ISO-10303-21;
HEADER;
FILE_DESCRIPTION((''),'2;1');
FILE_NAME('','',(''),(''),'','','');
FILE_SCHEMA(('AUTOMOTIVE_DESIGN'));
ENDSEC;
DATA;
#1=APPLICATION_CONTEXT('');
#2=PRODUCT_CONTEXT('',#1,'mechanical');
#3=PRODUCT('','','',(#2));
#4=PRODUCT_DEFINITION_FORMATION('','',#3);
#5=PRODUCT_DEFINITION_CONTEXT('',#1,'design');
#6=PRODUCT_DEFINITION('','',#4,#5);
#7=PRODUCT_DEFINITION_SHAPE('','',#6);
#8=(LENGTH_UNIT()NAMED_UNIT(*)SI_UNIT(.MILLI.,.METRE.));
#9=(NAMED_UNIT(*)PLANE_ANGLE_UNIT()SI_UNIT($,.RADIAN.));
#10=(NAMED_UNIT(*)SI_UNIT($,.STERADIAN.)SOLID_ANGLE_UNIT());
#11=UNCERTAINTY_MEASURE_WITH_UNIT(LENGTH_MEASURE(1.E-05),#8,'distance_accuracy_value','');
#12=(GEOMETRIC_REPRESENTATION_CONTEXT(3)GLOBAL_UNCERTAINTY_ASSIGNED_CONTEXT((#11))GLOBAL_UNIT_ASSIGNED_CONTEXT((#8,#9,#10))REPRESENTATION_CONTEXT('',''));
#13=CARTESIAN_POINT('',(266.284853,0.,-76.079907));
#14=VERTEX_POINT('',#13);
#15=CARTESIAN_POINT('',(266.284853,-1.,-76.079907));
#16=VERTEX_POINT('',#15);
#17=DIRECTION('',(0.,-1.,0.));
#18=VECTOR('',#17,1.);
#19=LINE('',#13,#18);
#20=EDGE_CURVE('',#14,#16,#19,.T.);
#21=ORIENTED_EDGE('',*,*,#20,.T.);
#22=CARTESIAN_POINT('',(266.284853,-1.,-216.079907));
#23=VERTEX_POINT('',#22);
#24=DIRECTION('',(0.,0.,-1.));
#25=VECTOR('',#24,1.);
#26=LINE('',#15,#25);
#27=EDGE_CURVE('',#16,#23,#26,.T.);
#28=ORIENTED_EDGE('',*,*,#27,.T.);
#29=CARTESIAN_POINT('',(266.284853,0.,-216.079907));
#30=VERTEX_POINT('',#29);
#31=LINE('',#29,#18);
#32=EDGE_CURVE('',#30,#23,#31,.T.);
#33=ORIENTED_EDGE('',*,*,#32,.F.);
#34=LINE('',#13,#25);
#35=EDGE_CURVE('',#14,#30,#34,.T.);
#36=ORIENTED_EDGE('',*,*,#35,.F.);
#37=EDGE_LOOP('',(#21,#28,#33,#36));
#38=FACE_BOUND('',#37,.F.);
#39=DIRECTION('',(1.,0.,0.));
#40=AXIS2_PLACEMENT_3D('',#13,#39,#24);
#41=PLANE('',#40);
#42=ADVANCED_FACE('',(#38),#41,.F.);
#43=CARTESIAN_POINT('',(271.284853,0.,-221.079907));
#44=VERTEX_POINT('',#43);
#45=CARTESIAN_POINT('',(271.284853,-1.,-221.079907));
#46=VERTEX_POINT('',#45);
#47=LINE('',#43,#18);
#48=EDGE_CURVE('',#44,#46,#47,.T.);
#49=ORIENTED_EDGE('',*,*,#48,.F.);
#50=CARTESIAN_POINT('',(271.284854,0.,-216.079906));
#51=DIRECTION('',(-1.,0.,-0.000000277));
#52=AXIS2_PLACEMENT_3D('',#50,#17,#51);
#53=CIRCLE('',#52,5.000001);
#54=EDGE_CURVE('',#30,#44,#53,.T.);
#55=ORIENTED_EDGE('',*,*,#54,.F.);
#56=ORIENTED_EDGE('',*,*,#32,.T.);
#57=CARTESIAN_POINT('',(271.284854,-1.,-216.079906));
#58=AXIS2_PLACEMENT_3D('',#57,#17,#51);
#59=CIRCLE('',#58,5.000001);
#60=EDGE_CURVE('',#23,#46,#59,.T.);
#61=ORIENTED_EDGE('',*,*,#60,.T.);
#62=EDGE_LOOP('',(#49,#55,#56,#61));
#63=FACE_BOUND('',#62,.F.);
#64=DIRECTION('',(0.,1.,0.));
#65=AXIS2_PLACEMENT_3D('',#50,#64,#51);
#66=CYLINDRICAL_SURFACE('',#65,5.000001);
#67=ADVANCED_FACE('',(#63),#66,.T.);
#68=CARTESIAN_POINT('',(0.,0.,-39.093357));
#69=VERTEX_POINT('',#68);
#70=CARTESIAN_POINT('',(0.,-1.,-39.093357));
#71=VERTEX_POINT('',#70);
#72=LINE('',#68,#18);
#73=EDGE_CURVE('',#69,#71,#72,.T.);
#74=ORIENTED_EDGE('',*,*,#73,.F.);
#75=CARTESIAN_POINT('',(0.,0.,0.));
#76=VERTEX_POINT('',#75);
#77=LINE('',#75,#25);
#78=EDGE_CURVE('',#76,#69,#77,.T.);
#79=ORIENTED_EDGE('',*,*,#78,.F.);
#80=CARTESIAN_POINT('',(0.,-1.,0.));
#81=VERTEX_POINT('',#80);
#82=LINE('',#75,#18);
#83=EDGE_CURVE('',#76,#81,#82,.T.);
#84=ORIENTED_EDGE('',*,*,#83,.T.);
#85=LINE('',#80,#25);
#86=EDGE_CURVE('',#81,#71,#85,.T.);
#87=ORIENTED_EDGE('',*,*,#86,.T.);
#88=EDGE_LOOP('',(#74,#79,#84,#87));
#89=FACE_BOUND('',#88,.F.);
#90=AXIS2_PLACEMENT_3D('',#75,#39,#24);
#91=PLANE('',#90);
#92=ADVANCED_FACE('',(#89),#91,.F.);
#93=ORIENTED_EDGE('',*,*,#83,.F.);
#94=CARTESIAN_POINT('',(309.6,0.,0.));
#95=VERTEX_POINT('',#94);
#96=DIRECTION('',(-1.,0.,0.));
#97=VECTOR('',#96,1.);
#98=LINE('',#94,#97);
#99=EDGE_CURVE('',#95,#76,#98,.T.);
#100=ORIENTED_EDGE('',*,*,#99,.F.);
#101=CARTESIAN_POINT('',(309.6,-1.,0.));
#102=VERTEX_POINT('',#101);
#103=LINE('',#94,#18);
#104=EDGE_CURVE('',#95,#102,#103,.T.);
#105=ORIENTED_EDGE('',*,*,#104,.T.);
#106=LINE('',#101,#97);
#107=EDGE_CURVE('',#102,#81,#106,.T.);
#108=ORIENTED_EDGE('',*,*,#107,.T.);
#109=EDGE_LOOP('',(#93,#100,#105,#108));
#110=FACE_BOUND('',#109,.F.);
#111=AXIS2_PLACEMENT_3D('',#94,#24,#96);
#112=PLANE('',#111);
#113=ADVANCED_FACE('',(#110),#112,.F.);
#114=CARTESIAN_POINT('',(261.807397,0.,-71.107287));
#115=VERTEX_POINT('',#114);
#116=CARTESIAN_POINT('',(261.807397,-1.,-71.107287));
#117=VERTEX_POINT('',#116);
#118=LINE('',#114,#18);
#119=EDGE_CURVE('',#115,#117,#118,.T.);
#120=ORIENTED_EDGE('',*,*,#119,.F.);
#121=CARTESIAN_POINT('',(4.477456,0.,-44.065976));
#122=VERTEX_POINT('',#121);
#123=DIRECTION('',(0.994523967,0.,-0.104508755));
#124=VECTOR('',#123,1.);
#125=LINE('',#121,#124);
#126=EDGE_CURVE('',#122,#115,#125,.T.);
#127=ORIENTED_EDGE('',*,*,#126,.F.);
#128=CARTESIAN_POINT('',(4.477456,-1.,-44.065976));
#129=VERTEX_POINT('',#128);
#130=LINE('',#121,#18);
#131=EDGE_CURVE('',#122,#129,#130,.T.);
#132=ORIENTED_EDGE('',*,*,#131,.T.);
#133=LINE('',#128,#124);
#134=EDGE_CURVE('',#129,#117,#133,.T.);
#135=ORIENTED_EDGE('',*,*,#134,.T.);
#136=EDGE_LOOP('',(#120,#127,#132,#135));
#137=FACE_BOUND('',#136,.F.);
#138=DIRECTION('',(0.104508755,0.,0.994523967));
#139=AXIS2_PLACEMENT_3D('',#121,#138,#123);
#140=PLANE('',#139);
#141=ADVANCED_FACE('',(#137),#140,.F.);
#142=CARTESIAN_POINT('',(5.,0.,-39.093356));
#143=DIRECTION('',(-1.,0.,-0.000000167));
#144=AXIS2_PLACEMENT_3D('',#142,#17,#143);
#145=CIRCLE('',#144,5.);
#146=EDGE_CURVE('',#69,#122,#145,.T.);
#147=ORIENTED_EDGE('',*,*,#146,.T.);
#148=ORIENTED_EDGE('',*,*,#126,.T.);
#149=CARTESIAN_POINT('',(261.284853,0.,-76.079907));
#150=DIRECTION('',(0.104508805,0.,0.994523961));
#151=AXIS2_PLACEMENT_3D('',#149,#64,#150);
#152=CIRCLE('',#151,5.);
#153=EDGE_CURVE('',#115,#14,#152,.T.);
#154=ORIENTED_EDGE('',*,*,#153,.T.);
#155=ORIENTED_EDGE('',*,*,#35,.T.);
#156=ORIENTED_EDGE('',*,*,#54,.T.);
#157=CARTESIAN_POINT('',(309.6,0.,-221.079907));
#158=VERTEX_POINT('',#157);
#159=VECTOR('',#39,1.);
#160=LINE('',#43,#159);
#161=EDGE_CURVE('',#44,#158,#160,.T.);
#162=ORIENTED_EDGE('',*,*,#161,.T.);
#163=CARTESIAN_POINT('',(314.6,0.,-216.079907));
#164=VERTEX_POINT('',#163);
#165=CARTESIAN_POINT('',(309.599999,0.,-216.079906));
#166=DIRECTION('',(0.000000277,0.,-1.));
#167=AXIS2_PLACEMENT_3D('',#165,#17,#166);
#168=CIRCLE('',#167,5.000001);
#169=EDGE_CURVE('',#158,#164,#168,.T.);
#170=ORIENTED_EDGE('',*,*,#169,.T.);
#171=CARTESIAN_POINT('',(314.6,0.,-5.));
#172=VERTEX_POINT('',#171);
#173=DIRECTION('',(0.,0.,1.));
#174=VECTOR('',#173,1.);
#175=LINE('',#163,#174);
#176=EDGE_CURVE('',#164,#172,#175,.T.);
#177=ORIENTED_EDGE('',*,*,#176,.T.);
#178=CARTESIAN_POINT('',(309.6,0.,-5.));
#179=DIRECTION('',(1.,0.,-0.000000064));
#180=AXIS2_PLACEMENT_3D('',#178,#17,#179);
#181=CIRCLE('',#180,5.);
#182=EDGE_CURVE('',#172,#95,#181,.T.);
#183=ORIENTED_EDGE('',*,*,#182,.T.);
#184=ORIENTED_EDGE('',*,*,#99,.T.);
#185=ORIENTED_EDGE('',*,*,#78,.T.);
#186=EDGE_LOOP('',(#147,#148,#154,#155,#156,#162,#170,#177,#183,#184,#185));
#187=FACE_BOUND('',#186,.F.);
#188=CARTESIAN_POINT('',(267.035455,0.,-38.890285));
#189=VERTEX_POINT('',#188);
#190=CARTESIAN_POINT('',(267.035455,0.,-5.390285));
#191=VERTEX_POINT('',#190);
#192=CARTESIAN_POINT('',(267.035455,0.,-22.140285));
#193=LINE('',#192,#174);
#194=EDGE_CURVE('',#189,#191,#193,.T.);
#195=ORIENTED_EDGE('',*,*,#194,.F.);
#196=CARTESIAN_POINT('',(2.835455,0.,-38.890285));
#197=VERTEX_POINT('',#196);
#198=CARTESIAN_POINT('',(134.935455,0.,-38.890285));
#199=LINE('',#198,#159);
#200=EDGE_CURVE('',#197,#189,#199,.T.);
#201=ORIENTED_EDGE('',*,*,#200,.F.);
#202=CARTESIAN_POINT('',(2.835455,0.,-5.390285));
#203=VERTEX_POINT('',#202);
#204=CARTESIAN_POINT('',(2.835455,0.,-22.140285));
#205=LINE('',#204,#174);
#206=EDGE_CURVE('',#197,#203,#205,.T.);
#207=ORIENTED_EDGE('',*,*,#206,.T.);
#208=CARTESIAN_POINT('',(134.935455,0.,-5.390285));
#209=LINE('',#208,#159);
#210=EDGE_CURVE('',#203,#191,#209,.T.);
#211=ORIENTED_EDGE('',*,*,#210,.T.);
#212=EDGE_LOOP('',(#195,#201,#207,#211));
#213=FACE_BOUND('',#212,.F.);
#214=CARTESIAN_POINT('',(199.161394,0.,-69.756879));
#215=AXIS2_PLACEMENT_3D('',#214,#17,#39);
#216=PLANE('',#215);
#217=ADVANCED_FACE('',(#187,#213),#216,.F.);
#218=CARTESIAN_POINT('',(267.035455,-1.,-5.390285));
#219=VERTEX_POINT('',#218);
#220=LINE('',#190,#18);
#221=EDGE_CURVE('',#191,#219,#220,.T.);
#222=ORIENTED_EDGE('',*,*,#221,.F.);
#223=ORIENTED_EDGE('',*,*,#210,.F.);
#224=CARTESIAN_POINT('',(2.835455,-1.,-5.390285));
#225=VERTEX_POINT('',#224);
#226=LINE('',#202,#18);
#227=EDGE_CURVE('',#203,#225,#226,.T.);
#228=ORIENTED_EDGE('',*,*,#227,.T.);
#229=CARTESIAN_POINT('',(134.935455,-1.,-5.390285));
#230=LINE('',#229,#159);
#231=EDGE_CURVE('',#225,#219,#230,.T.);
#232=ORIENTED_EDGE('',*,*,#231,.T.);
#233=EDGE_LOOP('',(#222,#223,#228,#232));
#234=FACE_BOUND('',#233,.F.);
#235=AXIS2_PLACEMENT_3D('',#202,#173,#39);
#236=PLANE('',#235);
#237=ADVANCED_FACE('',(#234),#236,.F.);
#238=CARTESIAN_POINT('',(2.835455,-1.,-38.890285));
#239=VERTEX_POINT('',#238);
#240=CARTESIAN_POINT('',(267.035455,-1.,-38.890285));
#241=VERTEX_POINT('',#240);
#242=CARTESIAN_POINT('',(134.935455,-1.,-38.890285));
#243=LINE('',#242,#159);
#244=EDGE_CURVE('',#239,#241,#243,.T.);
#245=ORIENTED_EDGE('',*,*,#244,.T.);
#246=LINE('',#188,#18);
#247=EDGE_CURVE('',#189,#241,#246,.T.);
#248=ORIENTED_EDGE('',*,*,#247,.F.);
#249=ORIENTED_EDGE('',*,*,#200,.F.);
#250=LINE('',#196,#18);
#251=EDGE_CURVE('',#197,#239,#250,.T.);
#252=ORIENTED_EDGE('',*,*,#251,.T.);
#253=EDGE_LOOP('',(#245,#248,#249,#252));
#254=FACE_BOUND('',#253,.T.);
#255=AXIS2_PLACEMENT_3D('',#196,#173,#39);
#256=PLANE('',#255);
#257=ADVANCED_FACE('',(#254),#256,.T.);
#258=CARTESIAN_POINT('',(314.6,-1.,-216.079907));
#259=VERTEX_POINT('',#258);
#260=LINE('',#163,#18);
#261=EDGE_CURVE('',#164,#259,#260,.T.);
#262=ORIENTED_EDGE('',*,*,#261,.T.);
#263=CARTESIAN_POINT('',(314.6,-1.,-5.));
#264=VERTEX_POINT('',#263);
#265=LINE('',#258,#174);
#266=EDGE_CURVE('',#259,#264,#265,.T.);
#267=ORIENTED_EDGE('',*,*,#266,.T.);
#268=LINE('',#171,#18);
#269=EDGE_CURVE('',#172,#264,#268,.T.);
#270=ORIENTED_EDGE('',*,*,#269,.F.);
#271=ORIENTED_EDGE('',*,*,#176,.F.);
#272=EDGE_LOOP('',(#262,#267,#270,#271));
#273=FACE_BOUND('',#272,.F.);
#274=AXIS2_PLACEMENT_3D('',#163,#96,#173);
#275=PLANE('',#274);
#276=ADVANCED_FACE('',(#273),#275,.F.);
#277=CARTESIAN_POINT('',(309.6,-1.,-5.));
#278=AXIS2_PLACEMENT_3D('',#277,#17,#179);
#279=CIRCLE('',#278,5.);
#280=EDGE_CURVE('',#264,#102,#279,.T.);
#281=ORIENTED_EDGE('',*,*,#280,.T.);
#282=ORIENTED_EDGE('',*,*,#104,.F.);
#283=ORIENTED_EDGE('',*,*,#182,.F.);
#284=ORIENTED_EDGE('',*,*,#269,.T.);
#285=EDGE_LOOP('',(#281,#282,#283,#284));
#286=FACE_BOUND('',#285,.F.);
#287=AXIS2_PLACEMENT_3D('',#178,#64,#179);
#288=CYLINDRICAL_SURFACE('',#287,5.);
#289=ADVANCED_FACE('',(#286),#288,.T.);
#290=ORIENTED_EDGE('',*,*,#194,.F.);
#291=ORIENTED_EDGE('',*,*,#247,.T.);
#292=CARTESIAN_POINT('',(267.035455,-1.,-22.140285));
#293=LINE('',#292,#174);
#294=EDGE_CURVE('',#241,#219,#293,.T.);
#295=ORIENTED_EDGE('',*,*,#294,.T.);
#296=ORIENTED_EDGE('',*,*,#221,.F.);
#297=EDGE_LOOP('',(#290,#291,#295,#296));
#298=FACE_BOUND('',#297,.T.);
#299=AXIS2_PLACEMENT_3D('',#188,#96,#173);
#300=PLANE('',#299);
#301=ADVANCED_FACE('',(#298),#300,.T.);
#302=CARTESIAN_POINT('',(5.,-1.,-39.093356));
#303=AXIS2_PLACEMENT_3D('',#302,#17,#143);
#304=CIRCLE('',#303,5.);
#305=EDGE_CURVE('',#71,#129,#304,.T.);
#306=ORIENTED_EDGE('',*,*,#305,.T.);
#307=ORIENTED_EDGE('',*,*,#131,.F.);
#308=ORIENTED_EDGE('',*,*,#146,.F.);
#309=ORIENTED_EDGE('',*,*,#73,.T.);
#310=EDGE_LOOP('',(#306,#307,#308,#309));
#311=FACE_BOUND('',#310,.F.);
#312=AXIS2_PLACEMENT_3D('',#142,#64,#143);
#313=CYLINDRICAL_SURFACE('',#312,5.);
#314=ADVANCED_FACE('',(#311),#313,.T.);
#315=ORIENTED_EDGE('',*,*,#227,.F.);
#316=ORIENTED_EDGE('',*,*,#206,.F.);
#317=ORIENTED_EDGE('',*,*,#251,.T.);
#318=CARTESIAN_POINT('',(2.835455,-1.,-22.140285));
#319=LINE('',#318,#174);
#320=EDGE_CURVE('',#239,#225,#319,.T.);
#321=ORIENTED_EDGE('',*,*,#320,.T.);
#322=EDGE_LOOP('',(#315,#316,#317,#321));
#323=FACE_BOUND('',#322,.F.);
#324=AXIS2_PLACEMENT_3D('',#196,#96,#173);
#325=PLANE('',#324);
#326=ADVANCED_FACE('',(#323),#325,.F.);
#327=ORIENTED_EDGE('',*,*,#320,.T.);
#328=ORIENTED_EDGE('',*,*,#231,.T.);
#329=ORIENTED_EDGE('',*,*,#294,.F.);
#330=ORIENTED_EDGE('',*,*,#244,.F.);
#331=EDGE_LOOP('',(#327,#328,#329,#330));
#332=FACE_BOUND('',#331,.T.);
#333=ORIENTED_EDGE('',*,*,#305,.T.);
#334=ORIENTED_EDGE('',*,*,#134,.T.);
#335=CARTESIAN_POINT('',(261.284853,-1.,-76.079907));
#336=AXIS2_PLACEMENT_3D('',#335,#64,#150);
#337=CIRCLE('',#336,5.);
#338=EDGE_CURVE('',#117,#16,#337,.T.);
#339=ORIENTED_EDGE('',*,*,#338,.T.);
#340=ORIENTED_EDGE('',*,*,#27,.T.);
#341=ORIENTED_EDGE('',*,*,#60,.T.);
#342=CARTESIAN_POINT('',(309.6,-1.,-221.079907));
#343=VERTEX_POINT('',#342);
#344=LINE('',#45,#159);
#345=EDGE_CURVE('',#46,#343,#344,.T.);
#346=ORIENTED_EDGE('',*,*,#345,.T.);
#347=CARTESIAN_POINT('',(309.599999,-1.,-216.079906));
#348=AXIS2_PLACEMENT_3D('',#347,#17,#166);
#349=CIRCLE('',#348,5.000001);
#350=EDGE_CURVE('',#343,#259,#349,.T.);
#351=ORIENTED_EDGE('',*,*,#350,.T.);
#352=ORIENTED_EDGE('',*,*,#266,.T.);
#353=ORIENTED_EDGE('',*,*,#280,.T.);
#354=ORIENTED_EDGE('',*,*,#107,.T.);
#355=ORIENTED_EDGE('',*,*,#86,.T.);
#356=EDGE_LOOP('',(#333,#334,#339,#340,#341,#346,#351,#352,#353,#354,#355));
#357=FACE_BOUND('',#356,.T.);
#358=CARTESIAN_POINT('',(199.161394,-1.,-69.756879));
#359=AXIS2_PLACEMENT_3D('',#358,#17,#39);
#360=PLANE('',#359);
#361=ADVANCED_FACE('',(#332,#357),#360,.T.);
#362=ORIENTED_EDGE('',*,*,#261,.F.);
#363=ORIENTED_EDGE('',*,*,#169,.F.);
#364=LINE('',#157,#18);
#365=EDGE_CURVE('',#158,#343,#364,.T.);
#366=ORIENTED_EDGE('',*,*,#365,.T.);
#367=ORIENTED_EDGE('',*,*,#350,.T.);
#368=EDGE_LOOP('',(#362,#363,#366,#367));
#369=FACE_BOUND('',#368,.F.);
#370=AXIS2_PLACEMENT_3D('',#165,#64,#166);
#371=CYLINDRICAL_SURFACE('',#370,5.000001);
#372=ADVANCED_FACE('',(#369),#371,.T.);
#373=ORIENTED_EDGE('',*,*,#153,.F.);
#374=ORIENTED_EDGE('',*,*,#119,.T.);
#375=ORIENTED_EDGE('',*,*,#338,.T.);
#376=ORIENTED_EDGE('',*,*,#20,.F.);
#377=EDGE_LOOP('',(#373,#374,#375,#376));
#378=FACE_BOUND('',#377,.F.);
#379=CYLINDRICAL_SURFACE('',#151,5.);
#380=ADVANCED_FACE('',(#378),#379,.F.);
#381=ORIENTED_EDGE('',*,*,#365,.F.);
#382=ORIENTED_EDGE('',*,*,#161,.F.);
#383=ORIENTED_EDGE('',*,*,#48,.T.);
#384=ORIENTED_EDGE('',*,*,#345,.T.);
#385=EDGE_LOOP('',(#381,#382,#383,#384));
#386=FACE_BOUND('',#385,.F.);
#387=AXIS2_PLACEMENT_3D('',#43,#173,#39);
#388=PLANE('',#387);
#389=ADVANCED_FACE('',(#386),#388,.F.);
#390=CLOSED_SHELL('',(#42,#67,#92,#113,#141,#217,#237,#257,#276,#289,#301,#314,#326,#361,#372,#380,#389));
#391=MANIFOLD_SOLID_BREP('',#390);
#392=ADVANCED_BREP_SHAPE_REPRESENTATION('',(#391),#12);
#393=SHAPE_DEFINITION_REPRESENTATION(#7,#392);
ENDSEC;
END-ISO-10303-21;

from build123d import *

# Parameters (mm, degrees)
F0_W     = 264.2
F0_H     = 33.5
F1_DEPTH = 1


with BuildPart() as f1:
    # F0 (on Front) → F1 (new body)
    with BuildSketch(Plane.XZ):
        with BuildLine():
            Line((309.6, 0), (0, 0))
            Line((0, 0), (0, -39.093357))
            ThreePointArc((0, -39.093357), (1.284309, -42.439046), (4.477456, -44.065976))
            Line((4.477456, -44.065976), (261.807397, -71.107287))
            ThreePointArc((261.807397, -71.107287), (265.000544, -72.734217), (266.284853, -76.079907))
            Line((266.284853, -76.079907), (266.284853, -216.079907))
            ThreePointArc((266.284853, -216.079907), (267.749319, -219.61544), (271.284853, -221.079907))
            Line((271.284853, -221.079907), (309.6, -221.079907))
            ThreePointArc((309.6, -221.079907), (313.135534, -219.61544), (314.6, -216.079907))
            Line((314.6, -216.079907), (314.6, -5))
            ThreePointArc((314.6, -5), (313.135534, -1.464466), (309.6, 0))
        make_face()
        with Locations((134.935455, -22.140285)):
            Rectangle(F0_W, F0_H, mode=Mode.SUBTRACT)
    extrude(amount=F1_DEPTH)


solid = f1.part
